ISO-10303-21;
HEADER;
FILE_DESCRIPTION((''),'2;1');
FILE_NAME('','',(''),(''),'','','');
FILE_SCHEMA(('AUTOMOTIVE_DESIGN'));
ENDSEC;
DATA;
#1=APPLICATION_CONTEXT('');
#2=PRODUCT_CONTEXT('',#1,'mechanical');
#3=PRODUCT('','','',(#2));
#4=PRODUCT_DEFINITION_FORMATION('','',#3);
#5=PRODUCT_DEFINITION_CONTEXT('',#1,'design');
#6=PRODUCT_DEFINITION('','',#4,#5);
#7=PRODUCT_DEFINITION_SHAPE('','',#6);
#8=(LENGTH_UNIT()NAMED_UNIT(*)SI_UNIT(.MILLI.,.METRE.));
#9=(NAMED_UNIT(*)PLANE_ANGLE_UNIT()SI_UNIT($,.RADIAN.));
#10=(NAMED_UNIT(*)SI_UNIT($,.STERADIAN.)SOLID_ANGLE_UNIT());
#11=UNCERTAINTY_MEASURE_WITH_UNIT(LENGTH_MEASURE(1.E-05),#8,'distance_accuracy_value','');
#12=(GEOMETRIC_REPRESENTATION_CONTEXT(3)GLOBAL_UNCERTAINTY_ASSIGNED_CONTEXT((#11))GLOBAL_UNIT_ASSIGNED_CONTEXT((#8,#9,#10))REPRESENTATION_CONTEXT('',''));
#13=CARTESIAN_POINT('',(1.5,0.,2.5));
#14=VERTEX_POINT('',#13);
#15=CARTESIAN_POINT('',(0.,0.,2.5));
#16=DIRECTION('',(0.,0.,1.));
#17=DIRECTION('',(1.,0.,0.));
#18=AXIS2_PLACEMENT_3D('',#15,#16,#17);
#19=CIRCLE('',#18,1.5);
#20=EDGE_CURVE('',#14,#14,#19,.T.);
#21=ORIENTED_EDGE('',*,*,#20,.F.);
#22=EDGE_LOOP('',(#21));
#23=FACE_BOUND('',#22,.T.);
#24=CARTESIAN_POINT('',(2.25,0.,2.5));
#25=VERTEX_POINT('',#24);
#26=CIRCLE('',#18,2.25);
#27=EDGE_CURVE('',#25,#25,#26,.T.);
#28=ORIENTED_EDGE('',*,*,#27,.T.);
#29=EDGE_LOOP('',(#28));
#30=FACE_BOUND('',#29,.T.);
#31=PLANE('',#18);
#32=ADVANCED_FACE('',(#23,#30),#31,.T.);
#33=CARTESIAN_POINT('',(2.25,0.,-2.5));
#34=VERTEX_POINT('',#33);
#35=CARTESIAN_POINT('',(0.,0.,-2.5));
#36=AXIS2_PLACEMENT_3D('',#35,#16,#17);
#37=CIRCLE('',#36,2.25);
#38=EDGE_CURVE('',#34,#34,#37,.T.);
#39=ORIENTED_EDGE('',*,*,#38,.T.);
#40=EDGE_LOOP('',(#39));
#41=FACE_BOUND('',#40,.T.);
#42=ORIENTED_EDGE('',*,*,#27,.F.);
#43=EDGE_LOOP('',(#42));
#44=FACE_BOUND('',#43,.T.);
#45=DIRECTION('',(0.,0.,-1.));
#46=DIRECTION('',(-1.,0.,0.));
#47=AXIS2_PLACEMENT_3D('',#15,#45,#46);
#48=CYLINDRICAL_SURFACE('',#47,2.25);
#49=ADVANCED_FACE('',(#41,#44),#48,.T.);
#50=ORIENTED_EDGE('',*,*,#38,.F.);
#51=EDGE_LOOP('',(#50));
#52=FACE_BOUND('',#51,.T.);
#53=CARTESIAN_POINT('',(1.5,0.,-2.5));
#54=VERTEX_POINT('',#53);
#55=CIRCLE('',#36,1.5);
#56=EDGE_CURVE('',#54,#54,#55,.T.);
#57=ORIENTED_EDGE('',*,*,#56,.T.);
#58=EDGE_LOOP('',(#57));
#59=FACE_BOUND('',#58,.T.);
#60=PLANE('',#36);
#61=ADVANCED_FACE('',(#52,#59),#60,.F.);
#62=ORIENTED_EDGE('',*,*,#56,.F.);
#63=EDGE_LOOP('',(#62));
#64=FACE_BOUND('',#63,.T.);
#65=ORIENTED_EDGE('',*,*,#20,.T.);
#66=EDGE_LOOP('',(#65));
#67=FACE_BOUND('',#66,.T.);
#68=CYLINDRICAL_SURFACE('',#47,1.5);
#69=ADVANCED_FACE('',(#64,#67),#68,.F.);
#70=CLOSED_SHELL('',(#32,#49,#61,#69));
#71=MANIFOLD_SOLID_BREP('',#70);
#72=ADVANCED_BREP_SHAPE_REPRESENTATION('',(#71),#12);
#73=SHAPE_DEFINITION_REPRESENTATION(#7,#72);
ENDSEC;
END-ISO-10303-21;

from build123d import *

# Parameters (mm, degrees)
SKETCH1_R           = 2.25
SKETCH1_R_2         = 1.5
BOSS_EXTRUDE1_DEPTH = 2.5


with BuildPart() as part:
    # Sketch1 → Boss-Extrude1 (new body, symmetric)
    with BuildSketch(Plane.XY):
        Circle(SKETCH1_R)
        Circle(SKETCH1_R_2, mode=Mode.SUBTRACT)
    extrude(amount=BOSS_EXTRUDE1_DEPTH, both=True)


solid = part.part
